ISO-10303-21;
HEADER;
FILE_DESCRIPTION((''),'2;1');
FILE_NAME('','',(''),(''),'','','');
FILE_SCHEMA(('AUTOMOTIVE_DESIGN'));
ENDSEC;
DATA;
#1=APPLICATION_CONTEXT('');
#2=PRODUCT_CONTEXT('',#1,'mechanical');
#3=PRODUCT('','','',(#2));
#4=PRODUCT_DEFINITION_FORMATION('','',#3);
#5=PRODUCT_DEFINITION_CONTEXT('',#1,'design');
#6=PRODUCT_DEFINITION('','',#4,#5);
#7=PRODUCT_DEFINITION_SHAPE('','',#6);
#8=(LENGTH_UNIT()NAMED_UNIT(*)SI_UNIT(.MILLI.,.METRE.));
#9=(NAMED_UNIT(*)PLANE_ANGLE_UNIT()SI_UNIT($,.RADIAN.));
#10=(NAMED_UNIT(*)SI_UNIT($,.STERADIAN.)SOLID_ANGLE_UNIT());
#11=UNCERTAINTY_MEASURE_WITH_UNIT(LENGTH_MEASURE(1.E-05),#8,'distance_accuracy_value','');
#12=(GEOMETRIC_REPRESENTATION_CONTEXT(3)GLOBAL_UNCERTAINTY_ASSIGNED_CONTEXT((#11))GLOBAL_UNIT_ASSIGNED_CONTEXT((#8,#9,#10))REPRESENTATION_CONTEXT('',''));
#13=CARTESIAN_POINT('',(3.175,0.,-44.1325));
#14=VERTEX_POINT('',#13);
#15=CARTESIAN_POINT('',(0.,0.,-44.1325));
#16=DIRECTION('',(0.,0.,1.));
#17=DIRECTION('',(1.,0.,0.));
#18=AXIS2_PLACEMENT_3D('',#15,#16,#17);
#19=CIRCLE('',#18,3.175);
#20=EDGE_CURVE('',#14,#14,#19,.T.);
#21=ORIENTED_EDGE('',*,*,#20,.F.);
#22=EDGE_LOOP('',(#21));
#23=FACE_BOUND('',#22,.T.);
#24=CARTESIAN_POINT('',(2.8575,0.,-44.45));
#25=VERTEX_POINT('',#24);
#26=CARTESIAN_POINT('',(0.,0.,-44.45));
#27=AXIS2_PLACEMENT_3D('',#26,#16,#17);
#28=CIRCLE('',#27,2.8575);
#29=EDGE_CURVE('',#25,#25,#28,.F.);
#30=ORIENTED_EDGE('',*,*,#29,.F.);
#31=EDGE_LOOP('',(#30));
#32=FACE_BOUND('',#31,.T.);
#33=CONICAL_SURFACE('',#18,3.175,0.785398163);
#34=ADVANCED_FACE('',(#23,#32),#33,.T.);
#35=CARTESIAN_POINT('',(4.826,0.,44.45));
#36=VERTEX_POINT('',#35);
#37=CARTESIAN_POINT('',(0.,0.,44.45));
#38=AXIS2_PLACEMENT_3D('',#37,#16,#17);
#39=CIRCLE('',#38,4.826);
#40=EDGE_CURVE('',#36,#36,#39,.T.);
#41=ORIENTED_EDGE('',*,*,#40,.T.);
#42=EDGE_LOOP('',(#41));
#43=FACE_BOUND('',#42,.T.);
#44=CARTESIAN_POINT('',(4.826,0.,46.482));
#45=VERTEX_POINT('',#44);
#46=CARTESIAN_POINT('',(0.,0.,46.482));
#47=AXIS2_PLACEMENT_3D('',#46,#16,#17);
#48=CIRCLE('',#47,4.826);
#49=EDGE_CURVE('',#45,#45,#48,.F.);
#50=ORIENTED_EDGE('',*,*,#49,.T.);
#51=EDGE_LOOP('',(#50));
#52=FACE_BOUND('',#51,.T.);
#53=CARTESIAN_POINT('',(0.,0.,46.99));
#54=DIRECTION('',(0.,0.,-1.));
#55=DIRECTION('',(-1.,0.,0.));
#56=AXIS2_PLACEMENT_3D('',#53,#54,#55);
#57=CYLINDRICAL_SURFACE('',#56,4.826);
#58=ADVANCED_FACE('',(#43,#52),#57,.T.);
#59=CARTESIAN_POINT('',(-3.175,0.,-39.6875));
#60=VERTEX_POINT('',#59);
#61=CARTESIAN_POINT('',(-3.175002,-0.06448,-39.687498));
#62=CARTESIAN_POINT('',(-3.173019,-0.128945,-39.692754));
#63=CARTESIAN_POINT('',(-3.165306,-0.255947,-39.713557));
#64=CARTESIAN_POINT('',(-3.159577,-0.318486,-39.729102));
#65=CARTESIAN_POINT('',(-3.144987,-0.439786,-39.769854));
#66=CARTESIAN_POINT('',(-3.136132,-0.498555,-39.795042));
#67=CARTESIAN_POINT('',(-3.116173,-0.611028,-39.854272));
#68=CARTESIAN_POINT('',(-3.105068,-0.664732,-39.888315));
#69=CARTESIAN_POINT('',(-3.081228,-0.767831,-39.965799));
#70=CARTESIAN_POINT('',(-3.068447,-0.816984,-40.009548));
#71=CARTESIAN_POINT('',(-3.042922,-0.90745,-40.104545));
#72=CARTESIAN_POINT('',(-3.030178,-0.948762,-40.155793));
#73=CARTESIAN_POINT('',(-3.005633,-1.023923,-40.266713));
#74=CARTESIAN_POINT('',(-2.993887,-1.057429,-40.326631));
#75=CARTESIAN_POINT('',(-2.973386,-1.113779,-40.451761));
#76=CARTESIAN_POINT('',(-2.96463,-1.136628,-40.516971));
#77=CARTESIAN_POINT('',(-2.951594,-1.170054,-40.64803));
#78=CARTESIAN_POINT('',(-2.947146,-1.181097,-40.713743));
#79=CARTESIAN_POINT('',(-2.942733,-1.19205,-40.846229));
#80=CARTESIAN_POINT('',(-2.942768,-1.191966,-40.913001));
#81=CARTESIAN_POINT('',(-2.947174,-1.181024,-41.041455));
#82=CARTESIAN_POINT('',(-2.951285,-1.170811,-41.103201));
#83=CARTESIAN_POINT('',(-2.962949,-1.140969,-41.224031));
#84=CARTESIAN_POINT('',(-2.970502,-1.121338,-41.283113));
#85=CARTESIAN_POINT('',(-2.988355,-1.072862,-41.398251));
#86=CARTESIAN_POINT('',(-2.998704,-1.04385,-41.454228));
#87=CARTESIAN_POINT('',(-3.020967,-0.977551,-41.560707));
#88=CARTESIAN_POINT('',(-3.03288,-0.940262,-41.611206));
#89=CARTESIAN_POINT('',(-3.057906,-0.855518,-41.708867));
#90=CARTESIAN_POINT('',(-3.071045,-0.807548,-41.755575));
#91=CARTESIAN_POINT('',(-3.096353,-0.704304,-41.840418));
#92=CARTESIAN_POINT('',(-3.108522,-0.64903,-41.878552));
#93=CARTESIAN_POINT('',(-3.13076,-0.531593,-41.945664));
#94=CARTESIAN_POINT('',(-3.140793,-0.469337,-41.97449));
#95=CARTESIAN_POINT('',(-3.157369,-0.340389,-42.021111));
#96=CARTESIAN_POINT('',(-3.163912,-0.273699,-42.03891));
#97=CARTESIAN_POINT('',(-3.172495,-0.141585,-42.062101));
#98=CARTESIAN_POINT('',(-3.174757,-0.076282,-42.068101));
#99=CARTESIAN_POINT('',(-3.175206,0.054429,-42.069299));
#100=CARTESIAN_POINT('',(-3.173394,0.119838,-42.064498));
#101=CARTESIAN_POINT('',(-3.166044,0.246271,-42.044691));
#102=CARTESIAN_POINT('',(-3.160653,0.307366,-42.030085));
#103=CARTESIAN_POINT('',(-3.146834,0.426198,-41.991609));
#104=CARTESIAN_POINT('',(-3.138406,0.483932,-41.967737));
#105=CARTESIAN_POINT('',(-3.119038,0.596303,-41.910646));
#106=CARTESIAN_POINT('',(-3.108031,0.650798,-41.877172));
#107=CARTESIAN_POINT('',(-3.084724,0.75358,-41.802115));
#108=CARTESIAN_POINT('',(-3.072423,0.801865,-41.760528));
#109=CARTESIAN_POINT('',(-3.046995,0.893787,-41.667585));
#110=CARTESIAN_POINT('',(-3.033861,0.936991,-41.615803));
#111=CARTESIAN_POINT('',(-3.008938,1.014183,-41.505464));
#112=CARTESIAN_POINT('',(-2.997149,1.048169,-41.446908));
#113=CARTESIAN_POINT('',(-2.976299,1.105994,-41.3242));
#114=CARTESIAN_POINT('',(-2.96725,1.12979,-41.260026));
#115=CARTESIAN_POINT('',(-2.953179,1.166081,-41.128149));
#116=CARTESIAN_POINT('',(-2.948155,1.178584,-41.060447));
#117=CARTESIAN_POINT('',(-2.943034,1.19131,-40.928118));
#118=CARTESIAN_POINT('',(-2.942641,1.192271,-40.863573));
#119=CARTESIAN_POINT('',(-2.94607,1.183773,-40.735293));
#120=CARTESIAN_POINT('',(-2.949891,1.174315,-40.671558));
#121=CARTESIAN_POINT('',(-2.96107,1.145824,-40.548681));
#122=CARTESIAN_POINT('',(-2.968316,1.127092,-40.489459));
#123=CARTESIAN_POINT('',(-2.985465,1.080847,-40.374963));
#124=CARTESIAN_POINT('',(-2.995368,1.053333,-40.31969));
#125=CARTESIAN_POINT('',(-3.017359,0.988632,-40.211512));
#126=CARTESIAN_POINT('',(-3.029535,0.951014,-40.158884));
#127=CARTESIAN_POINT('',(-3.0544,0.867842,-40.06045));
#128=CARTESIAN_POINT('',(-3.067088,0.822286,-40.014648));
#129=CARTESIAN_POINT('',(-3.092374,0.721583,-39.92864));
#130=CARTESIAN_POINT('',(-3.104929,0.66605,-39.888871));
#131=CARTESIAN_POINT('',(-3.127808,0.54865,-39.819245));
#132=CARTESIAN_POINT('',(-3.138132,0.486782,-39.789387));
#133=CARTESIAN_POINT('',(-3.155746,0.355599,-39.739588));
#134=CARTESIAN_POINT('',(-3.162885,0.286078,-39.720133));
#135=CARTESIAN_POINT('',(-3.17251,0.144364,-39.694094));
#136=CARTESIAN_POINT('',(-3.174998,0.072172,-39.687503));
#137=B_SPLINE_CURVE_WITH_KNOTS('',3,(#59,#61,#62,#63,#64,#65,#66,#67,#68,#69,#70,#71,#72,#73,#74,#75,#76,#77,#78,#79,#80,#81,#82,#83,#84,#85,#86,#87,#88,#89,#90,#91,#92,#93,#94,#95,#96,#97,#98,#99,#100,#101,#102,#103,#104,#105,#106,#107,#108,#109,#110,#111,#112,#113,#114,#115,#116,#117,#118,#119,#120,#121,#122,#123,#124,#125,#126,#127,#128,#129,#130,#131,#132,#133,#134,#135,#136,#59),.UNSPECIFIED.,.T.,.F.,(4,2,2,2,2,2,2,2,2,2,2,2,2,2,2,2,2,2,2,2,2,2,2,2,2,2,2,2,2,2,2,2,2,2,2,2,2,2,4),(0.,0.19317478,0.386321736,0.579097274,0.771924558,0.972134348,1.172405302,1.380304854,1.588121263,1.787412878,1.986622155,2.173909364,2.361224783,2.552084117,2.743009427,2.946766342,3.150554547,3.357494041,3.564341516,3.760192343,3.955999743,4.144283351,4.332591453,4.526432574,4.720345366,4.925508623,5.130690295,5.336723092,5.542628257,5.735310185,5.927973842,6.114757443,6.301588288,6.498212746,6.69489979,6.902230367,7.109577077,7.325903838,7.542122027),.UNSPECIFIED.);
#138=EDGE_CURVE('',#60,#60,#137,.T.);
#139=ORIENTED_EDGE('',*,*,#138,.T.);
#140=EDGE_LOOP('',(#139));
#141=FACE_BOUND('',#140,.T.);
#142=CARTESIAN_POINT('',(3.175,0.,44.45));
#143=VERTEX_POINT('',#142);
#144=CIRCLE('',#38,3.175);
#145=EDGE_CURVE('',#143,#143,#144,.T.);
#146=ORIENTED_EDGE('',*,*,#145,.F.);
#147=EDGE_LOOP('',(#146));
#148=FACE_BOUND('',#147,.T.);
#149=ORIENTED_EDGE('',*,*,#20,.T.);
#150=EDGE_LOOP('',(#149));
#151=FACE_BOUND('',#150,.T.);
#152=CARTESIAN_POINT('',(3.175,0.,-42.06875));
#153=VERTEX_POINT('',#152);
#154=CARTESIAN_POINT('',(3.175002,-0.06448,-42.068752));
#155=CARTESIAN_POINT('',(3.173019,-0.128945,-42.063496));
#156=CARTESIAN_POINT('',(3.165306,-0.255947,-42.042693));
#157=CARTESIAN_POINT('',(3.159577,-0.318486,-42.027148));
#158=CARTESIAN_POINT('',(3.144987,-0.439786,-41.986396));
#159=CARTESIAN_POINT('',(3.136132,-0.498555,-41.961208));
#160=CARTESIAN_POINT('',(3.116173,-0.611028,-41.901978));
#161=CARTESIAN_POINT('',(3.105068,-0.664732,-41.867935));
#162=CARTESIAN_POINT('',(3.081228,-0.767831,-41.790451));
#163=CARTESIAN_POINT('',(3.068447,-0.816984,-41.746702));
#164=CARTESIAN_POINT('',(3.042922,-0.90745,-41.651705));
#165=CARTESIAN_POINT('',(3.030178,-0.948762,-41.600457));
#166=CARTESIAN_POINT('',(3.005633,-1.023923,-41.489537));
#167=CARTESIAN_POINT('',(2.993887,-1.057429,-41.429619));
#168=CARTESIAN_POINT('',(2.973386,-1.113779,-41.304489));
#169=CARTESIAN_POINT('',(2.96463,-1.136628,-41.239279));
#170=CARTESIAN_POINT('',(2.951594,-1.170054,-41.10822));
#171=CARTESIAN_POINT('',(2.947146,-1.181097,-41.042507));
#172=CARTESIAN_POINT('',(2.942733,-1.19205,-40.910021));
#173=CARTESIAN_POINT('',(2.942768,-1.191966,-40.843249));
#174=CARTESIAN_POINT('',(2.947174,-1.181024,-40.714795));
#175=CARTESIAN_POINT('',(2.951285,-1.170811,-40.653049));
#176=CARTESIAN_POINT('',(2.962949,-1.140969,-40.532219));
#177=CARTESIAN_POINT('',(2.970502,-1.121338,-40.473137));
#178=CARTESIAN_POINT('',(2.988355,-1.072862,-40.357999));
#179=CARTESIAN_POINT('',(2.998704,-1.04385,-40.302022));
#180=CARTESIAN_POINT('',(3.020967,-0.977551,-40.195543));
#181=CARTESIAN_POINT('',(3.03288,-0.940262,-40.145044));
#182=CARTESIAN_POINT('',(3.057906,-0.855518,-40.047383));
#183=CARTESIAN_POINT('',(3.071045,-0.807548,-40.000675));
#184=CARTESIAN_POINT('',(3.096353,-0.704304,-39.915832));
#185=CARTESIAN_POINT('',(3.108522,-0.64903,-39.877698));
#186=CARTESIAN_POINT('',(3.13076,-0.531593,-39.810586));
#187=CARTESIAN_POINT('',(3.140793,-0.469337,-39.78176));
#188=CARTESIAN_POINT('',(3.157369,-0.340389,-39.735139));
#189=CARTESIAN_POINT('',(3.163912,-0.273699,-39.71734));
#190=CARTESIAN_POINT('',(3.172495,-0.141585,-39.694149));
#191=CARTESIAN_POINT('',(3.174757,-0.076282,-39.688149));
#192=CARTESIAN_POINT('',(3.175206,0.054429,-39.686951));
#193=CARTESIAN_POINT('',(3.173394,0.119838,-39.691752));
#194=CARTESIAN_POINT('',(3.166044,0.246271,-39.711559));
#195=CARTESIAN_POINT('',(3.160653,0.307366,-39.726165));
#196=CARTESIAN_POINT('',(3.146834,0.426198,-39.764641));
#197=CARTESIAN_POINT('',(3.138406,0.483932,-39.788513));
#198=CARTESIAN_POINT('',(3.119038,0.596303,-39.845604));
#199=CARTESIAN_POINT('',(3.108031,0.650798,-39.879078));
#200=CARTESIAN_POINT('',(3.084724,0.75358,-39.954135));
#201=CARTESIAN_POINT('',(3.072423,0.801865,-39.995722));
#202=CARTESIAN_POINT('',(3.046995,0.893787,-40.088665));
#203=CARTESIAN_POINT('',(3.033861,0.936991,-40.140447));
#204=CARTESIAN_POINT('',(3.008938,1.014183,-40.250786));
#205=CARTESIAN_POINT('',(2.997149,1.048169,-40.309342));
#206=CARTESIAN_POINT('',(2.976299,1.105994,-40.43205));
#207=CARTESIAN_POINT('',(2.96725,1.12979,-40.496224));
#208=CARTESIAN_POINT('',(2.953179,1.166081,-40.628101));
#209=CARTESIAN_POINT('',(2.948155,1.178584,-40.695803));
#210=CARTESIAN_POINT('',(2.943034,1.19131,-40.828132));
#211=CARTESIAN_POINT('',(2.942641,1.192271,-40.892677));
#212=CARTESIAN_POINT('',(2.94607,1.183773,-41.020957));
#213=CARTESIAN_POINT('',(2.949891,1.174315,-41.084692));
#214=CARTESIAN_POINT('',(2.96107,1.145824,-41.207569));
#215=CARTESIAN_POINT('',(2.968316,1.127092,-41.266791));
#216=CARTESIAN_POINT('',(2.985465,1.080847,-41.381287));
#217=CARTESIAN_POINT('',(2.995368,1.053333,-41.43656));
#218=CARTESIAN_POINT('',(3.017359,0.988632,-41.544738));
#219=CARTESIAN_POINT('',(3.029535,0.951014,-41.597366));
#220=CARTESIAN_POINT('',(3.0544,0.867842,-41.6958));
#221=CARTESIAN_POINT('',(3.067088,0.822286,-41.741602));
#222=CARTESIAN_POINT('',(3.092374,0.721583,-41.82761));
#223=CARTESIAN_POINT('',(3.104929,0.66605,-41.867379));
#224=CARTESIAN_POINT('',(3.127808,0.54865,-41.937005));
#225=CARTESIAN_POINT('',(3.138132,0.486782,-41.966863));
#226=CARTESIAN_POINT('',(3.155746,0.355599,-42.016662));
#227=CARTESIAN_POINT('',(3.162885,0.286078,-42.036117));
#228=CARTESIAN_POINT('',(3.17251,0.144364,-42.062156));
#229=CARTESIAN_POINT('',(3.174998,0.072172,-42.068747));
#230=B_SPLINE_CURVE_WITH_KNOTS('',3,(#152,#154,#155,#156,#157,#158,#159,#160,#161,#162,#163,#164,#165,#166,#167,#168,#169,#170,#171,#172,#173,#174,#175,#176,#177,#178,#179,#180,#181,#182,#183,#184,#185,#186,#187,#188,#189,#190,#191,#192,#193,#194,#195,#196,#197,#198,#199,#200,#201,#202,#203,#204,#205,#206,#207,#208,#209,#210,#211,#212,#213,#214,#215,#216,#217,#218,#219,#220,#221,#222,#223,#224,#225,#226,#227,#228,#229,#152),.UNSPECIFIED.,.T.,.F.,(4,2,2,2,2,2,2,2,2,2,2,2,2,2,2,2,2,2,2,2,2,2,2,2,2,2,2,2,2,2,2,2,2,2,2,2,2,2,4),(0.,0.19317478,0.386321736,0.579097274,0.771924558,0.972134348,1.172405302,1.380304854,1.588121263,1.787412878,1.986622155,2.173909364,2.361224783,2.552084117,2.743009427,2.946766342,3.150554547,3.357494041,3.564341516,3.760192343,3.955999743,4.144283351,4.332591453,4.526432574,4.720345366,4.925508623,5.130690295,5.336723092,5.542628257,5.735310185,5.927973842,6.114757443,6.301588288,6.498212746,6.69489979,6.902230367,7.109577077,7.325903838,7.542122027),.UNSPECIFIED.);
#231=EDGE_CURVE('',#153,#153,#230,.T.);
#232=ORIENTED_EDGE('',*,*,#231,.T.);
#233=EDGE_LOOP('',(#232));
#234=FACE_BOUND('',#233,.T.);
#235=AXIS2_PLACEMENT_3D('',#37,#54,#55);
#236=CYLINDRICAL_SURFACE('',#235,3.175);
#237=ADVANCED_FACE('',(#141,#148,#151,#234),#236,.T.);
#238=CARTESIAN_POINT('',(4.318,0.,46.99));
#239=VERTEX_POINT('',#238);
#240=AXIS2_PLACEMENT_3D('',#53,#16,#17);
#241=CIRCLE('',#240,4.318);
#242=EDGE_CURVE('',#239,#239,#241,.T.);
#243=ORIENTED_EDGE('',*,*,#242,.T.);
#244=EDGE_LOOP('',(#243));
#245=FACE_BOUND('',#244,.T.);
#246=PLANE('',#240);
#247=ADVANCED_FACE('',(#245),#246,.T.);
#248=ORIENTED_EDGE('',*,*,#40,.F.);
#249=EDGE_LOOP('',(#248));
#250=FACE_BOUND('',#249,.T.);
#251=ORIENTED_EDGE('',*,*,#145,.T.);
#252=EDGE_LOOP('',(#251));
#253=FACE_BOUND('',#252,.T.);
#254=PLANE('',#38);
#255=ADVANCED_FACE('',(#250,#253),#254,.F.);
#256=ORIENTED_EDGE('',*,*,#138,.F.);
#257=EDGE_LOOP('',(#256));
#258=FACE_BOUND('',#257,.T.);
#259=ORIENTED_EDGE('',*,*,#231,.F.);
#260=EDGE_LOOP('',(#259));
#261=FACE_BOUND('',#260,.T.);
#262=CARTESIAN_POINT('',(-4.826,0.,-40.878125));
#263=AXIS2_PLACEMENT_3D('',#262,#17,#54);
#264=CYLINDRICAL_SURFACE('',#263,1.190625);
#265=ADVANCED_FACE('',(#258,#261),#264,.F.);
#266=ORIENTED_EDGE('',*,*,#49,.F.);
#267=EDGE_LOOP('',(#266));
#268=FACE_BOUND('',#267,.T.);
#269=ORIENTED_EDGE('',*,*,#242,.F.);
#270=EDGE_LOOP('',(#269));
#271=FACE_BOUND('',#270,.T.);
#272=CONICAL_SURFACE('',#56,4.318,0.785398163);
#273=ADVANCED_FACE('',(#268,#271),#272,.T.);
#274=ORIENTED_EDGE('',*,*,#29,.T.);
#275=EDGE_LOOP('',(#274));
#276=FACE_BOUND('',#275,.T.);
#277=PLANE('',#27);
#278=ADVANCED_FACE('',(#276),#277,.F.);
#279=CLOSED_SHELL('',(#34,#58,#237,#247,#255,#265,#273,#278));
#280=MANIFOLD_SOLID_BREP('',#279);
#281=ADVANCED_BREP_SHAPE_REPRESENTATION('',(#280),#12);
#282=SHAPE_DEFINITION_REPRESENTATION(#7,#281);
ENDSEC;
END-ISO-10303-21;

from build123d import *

# Parameters (mm, degrees)
SKETCH1_R           = 3.175
EXTRUDE1_DEPTH      = 44.45
SKETCH2_R           = 4.826
EXTRUDE2_DEPTH      = 2.54
CHAMFER1_SIZE       = 0.508
SKETCH3_R           = 1.190625
EXTRUDE3_DEPTH      = 5.826
EXTRUDE3_DEPTH_BACK = 5.826
CHAMFER2_SIZE       = 0.3175


with BuildPart() as part:
    # Sketch1 → Extrude1 (new body, symmetric)
    with BuildSketch(Plane.XY):
        Circle(SKETCH1_R)
    extrude(amount=EXTRUDE1_DEPTH, both=True)

    # Sketch2 → Extrude2 (add)
    with BuildSketch(Plane.XY.offset(44.45)):
        Circle(SKETCH2_R)
    extrude(amount=EXTRUDE2_DEPTH)

    # Chamfer1
    chamfer1_edges = [part.edges().sort_by_distance(p)[0] for p in [
        (-4.826, 0, 46.99),
    ]]
    chamfer(chamfer1_edges, length=CHAMFER1_SIZE)

    # Sketch3 → Extrude3 (cut, two sides)
    with BuildSketch(Plane(origin=(0, 0, 0), x_dir=(0, 0, -1), z_dir=(1, 0, 0))) as extrude3_sk:
        with Locations((40.878125, 0)):
            Circle(SKETCH3_R)
    extrude(amount=EXTRUDE3_DEPTH, mode=Mode.SUBTRACT)
    extrude(extrude3_sk.sketch, amount=-EXTRUDE3_DEPTH_BACK, mode=Mode.SUBTRACT)

    # Chamfer2
    chamfer2_edges = [part.edges().sort_by_distance(p)[0] for p in [
        (-3.175, 0, -44.45),
    ]]
    chamfer(chamfer2_edges, length=CHAMFER2_SIZE)


solid = part.part
